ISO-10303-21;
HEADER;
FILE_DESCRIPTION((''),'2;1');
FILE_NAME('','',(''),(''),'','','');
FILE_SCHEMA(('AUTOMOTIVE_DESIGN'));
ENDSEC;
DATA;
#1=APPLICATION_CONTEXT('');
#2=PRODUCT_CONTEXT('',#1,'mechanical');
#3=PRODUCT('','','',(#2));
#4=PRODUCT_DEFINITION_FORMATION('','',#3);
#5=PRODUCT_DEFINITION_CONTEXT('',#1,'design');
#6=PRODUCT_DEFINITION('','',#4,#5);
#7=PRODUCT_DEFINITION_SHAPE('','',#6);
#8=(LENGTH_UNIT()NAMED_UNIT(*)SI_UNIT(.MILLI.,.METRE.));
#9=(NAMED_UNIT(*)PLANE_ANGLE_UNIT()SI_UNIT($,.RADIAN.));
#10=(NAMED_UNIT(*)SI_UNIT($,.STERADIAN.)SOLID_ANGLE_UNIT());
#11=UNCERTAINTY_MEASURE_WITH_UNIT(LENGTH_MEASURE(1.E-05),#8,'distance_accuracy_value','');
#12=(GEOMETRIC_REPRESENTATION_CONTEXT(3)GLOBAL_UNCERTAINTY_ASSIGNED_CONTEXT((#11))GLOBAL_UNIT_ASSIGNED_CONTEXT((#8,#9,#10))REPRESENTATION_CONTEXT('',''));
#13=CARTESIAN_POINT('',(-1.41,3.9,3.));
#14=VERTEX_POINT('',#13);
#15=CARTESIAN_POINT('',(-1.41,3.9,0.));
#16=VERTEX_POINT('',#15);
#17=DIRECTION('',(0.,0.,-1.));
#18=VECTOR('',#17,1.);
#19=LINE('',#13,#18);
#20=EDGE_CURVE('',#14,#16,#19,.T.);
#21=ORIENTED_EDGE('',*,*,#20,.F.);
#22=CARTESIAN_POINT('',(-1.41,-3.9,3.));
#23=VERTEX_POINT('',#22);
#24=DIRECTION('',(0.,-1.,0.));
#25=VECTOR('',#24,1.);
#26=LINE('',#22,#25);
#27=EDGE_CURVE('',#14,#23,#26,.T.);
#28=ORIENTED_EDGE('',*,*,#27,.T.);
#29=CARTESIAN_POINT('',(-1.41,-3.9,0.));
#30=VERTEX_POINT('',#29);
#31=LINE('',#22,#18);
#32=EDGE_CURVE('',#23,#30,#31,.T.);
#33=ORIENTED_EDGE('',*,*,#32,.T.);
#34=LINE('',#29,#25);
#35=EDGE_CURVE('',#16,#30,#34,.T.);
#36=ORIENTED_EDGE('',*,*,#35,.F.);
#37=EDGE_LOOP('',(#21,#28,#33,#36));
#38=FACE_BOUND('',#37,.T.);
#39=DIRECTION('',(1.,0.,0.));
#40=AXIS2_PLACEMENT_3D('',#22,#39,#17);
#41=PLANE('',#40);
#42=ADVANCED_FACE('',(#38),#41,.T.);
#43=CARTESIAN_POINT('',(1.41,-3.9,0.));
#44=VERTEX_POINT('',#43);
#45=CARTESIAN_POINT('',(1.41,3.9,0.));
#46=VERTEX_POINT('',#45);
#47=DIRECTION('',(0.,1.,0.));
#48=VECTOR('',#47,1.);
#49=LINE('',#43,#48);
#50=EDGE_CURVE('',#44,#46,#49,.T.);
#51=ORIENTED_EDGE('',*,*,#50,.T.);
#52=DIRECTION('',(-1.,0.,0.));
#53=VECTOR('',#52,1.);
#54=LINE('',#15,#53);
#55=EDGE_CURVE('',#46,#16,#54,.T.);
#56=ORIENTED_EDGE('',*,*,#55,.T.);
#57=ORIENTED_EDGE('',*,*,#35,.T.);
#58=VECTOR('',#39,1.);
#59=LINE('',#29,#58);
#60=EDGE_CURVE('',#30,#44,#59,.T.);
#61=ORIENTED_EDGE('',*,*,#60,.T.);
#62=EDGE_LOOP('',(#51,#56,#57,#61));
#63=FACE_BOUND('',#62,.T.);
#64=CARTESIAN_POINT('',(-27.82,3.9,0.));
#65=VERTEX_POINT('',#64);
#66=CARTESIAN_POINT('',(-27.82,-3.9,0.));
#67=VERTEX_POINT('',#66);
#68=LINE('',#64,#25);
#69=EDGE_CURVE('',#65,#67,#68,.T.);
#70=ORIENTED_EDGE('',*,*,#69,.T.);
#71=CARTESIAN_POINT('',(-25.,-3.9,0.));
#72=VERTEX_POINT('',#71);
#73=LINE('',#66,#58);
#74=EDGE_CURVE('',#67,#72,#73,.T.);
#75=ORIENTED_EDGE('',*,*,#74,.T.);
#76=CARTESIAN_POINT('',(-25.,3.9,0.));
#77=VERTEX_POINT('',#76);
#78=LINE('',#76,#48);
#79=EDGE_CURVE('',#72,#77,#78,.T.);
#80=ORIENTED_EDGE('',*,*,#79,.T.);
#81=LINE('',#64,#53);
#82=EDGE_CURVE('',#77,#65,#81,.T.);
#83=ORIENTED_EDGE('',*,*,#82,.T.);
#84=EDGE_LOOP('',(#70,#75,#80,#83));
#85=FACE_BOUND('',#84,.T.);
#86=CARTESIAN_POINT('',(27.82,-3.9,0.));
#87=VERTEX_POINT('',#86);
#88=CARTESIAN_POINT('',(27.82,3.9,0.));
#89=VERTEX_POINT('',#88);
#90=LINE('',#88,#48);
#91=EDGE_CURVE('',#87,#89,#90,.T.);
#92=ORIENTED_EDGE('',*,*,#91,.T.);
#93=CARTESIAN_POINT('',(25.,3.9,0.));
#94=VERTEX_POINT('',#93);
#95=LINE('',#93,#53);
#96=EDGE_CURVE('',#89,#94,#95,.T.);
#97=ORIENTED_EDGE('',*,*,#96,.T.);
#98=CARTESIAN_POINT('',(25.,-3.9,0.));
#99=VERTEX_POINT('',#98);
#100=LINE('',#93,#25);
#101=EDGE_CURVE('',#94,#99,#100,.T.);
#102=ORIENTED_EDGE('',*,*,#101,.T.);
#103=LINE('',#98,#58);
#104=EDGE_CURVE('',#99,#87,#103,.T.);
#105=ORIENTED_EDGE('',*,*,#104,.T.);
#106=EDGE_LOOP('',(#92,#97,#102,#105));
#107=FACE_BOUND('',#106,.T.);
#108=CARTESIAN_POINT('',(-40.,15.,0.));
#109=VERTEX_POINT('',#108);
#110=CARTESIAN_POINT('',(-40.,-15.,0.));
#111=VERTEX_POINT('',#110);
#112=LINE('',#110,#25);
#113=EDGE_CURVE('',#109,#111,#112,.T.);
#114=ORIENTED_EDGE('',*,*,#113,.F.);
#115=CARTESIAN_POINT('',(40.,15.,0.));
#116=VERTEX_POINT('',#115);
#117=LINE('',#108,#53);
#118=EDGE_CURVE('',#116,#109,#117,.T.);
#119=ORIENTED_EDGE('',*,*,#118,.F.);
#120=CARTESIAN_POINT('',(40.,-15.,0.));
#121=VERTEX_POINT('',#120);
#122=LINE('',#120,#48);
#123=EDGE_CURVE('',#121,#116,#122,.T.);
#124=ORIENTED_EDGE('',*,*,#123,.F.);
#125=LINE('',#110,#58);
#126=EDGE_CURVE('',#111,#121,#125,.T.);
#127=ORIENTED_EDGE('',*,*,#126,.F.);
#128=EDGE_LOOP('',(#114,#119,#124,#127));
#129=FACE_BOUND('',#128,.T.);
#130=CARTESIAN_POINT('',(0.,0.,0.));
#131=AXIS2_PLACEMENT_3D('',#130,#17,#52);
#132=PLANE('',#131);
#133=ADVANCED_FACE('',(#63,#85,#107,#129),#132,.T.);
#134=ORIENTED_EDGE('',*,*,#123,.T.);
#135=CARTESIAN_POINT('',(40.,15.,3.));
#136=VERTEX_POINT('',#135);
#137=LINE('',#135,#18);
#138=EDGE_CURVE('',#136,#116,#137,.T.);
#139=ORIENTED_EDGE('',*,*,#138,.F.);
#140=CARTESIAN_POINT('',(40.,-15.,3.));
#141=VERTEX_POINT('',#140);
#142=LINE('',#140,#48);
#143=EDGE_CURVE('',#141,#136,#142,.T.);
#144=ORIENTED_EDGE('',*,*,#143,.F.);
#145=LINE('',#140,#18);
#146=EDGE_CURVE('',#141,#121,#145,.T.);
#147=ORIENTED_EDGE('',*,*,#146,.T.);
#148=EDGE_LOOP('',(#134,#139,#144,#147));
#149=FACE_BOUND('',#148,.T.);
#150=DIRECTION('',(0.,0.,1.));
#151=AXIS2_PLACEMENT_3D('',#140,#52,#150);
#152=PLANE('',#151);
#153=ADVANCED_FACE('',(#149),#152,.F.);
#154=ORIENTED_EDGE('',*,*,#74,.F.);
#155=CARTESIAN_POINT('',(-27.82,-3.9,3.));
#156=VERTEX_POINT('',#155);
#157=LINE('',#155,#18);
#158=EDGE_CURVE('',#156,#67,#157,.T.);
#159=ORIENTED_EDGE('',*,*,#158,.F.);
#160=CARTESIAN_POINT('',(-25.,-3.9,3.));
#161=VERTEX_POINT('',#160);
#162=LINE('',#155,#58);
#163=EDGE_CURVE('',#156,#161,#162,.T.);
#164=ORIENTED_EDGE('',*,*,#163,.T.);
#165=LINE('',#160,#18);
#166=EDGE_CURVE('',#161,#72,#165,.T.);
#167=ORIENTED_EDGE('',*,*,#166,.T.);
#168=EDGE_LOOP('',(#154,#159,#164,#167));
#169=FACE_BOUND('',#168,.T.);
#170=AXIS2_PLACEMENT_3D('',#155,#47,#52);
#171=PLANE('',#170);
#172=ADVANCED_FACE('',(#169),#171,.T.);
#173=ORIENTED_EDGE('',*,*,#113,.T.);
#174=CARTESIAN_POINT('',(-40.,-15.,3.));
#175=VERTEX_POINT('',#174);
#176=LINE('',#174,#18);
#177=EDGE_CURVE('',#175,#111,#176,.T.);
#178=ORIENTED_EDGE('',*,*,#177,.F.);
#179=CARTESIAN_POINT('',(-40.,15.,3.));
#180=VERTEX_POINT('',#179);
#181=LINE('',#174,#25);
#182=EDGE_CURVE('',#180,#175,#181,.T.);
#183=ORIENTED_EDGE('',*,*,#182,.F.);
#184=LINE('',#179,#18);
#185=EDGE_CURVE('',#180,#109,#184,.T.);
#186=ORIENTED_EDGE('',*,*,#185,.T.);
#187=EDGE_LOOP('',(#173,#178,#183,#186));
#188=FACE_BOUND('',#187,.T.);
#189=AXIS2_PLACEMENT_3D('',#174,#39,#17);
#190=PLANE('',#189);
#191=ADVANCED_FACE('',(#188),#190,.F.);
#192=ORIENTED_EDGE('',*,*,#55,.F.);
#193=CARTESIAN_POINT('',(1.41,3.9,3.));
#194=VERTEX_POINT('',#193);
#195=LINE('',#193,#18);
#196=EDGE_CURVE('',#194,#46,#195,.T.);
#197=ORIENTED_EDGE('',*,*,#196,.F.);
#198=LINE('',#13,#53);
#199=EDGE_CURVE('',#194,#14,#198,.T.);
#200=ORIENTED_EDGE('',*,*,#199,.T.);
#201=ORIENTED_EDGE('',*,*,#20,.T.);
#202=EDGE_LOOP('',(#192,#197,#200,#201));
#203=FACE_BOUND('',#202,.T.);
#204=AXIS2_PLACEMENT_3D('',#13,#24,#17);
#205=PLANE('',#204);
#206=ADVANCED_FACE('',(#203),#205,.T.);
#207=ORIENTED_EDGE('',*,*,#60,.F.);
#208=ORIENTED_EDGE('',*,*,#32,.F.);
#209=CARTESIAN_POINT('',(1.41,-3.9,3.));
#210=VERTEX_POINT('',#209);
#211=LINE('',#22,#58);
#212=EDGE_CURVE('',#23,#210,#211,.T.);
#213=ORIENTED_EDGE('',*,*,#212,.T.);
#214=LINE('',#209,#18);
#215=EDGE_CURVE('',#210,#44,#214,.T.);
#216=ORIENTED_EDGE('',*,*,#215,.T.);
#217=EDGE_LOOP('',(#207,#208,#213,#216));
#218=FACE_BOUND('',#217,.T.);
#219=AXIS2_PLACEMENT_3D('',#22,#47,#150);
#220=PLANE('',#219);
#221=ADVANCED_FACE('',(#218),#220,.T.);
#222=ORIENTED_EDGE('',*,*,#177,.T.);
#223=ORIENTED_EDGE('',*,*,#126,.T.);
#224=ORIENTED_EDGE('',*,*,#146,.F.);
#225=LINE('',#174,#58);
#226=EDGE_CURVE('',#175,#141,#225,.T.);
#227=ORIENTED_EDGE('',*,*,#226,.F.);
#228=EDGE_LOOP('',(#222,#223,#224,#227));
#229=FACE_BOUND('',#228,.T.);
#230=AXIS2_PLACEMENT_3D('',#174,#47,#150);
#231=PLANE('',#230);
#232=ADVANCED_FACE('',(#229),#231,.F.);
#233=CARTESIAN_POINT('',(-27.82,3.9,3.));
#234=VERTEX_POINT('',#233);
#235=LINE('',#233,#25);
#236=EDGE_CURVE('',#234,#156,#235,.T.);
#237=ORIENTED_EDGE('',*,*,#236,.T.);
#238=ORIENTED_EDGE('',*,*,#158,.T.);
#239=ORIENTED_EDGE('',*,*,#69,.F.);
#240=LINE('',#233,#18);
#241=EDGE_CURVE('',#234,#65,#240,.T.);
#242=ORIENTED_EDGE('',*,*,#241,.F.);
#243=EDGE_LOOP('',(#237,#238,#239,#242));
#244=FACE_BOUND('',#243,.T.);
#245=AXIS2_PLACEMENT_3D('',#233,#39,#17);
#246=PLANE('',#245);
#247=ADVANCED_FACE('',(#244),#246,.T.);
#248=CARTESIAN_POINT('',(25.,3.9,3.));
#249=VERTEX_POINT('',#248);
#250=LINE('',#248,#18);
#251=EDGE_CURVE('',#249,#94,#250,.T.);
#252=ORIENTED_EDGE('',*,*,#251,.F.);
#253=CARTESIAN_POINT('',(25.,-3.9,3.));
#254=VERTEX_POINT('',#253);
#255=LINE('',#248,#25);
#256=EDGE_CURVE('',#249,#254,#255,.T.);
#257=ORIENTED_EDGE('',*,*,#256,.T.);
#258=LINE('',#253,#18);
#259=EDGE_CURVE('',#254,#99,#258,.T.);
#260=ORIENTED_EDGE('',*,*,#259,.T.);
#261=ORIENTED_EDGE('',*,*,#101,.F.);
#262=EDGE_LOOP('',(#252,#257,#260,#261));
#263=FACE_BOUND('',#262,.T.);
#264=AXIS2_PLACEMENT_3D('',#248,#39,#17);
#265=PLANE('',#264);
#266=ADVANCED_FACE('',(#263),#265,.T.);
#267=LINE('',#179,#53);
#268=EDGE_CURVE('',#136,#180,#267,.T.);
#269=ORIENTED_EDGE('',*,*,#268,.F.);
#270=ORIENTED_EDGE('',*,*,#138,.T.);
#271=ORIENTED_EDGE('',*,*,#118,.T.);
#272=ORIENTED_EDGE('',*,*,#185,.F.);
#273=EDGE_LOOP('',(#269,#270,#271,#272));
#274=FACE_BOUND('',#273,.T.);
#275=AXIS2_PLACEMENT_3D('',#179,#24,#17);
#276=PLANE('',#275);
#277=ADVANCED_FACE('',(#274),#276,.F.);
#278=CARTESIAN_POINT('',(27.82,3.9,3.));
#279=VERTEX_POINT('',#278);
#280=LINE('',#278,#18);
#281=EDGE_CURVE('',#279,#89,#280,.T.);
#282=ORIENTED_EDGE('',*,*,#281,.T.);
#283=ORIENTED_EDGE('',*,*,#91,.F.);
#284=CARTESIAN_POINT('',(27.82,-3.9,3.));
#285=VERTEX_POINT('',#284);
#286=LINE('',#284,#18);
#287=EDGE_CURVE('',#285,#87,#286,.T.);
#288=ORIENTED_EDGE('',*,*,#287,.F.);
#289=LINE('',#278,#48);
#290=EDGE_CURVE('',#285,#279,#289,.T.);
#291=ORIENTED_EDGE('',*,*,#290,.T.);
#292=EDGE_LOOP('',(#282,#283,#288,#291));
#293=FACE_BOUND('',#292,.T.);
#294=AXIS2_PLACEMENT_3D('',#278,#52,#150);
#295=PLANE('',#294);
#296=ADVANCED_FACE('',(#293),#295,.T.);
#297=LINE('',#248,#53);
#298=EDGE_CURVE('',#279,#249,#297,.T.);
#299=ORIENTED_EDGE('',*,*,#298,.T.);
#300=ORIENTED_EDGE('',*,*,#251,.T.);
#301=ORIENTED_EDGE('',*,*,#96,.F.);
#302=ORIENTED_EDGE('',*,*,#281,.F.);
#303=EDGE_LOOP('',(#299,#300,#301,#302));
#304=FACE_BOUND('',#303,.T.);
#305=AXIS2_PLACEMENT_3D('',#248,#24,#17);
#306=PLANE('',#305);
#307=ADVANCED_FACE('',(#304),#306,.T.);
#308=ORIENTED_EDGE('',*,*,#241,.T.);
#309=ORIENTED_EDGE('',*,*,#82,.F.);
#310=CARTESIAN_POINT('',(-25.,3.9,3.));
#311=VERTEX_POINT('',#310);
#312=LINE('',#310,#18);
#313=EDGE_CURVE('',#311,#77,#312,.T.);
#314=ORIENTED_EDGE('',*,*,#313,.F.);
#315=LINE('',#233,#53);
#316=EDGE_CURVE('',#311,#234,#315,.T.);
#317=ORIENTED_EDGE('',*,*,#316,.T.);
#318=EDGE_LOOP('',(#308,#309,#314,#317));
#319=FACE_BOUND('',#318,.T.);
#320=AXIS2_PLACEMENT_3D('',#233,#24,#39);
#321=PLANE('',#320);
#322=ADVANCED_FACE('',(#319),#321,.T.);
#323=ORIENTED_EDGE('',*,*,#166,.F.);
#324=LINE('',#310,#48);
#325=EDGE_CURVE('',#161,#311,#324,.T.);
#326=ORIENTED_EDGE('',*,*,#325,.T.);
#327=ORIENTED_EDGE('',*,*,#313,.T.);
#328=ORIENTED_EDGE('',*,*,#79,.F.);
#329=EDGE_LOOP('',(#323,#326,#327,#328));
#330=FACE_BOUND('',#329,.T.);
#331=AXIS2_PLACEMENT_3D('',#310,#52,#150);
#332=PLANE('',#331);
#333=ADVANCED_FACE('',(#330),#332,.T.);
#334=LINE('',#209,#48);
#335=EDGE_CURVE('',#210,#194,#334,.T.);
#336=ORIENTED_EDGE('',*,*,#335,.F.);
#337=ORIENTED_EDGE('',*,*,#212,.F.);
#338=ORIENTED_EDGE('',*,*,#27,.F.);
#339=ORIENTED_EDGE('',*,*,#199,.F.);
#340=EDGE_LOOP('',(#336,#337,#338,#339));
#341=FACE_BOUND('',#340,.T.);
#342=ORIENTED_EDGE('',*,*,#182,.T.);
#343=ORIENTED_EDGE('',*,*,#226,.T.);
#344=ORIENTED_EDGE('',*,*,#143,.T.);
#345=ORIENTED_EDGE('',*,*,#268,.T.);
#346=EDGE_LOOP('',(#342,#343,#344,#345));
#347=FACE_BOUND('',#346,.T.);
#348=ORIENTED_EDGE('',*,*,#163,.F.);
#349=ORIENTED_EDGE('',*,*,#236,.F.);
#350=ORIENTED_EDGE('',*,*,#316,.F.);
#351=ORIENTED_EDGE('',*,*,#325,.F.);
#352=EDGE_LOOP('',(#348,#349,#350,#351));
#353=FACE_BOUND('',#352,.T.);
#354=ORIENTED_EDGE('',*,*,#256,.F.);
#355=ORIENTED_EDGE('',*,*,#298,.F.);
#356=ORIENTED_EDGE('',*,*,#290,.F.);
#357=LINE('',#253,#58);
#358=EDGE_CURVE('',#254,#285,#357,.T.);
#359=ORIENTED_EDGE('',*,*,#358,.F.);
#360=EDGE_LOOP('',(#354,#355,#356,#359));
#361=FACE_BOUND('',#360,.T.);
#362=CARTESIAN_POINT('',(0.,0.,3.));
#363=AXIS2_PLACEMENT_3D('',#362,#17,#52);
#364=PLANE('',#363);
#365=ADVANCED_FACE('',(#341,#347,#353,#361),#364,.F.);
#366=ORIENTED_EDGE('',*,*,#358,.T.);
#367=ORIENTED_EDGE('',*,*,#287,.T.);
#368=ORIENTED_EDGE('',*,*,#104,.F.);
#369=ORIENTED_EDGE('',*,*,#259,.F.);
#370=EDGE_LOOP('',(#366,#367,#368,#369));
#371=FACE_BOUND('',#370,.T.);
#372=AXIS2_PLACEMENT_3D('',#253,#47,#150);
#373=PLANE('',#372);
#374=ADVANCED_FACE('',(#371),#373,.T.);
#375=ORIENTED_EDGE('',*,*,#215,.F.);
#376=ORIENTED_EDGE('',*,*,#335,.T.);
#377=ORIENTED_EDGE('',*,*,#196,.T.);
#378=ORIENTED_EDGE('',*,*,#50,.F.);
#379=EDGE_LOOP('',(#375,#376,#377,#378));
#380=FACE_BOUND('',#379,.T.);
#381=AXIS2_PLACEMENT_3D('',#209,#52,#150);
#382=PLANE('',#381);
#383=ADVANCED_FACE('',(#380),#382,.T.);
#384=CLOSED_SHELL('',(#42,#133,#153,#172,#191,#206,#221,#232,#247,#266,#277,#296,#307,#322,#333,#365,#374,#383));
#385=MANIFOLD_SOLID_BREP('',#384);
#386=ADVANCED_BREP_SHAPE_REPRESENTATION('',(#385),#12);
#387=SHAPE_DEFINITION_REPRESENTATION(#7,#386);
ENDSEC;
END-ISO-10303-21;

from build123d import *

# Parameters (mm, degrees)
SKETCH2_W           = 80
SKETCH2_H           = 30
SKETCH2_W_2         = 2.82
SKETCH2_H_2         = 7.8
BOSS_EXTRUDE1_DEPTH = 3


with BuildPart() as part:
    # Sketch2 → Boss-Extrude1 (new body)
    with BuildSketch(Plane.XY):
        Rectangle(SKETCH2_W, SKETCH2_H)
        with Locations((-26.41, 0)):
            Rectangle(SKETCH2_W_2, SKETCH2_H_2, mode=Mode.SUBTRACT)
        with Locations((26.41, 0)):
            Rectangle(SKETCH2_W_2, SKETCH2_H_2, mode=Mode.SUBTRACT)
        Rectangle(SKETCH2_W_2, SKETCH2_H_2, mode=Mode.SUBTRACT)
    extrude(amount=BOSS_EXTRUDE1_DEPTH)


solid = part.part
